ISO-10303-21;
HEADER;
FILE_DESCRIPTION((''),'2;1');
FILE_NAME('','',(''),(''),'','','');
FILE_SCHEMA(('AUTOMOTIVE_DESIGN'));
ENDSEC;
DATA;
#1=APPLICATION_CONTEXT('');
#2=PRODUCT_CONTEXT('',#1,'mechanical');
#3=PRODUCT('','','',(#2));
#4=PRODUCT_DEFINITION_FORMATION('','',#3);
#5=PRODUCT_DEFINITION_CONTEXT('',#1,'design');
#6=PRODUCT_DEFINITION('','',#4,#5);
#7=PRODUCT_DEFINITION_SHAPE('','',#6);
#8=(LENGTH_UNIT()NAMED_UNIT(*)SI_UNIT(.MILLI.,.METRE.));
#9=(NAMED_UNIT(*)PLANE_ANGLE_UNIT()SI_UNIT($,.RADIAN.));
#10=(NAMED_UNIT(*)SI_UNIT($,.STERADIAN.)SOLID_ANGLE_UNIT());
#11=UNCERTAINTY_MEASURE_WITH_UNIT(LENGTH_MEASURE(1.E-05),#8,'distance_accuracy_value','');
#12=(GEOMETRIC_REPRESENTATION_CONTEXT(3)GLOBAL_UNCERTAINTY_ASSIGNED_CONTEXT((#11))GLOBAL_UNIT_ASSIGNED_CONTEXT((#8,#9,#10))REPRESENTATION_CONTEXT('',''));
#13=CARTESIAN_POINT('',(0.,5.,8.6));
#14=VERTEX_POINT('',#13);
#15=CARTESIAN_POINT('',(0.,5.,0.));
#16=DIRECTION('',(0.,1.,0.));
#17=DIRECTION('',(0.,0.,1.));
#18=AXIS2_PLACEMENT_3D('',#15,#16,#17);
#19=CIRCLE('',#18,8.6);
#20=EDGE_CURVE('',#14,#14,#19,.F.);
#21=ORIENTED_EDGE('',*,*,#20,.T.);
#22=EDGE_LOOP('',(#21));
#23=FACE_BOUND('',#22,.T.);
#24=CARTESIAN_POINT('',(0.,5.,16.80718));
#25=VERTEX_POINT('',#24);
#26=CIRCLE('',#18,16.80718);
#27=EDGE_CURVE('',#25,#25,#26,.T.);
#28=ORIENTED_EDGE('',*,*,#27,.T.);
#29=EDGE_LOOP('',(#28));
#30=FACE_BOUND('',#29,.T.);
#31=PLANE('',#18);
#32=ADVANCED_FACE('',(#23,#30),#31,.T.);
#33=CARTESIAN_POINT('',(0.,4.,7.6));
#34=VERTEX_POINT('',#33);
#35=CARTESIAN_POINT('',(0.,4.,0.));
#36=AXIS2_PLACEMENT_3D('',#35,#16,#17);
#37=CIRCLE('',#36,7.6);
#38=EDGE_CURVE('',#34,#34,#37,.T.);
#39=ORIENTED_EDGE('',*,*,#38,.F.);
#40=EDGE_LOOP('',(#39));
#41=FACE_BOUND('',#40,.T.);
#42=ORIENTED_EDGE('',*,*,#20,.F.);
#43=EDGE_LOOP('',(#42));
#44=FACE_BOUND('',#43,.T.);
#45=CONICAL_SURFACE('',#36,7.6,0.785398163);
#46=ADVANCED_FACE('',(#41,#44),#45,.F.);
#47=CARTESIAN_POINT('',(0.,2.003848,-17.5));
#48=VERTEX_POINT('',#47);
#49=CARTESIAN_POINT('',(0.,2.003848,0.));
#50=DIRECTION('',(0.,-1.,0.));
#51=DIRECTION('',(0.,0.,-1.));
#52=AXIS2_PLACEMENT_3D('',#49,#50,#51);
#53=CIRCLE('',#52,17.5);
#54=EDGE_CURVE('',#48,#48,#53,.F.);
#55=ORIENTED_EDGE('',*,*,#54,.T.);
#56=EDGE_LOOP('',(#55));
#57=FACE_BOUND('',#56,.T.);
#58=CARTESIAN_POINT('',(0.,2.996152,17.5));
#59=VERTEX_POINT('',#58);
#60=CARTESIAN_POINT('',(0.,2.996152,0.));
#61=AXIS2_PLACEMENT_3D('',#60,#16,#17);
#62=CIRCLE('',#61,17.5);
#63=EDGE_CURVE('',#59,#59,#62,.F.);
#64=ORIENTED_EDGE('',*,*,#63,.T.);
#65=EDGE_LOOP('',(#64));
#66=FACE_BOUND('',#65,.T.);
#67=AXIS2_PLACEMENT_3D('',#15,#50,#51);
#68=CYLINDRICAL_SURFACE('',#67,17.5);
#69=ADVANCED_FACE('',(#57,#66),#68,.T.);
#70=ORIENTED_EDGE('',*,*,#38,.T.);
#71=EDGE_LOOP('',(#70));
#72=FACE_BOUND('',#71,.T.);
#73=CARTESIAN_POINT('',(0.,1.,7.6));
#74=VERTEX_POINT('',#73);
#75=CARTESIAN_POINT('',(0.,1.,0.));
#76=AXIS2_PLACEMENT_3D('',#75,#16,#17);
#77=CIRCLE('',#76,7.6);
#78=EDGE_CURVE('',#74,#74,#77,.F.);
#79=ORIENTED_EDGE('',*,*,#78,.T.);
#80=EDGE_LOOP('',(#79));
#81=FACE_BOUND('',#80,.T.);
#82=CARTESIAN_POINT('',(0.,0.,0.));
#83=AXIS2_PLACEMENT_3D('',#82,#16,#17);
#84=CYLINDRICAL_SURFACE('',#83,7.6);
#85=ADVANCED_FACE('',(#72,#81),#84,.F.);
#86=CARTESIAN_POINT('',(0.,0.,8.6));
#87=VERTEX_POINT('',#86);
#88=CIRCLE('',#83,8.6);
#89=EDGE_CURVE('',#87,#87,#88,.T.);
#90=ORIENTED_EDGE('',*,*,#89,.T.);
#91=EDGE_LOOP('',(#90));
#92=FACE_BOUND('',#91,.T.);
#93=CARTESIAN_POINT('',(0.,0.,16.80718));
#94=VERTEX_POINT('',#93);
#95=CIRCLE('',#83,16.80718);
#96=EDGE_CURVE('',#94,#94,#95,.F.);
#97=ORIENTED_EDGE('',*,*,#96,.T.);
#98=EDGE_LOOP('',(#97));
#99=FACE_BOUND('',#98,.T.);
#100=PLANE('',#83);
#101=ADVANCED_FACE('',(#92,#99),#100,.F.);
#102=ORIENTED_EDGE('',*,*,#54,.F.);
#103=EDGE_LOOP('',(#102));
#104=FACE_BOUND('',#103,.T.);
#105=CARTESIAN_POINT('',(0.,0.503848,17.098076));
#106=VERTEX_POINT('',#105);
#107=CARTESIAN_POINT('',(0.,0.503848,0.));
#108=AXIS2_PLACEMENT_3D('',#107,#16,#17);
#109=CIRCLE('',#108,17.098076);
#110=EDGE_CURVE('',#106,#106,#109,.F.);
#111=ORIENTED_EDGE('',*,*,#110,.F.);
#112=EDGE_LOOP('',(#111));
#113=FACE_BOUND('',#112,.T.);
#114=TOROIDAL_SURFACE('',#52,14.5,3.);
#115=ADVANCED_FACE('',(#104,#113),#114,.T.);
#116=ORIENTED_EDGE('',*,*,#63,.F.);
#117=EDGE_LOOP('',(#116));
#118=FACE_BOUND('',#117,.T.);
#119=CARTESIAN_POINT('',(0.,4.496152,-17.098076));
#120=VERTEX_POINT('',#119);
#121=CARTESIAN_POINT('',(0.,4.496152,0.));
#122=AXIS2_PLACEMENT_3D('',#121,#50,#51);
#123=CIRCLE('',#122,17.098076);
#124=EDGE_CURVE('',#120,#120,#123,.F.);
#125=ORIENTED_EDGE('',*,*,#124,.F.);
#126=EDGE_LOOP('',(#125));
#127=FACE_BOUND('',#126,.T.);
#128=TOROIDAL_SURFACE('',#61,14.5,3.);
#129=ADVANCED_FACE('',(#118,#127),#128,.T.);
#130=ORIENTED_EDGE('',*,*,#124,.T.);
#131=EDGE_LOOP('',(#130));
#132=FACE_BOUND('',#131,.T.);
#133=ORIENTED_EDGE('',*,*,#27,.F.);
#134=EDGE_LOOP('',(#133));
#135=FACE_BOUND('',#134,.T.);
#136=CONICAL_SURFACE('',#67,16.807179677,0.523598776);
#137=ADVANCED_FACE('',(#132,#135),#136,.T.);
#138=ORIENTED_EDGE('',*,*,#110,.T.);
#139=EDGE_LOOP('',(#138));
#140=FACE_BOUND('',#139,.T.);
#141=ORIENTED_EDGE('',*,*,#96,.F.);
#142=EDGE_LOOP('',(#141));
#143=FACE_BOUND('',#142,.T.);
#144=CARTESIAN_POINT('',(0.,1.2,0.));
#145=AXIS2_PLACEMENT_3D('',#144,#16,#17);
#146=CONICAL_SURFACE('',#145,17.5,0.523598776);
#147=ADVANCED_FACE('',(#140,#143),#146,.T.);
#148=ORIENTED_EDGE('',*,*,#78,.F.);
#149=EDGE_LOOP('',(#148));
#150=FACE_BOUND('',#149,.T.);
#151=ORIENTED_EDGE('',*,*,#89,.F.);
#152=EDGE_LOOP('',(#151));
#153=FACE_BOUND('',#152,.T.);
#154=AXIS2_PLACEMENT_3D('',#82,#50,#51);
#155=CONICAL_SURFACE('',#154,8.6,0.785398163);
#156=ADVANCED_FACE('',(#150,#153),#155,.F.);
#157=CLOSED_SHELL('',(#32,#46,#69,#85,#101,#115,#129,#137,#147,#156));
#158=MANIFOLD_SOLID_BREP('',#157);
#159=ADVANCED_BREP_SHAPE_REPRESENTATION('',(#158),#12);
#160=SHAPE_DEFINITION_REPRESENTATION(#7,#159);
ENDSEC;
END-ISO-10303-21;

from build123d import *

# Parameters (mm, degrees)
SKETCH_1_R               = 17.5
EXTRUDE_1_DEPTH          = 5
CUT_EXTRUDE_1_DEPTH      = 26.248762346
CUT_EXTRUDE_1_DEPTH_BACK = 26.248762346
SKETCH_2_R               = 7.6
CHAMFER_1_SIZE           = 1.2
CHAMFER_1_SIZE2          = 0.692820323
FILLET_1_R               = 3
CHAMFER_2_SIZE           = 1


with BuildPart() as part:
    # 스케치1 → 보스-돌출1 (new body)
    with BuildSketch(Plane(origin=(0, 0, 0), x_dir=(1, 0, 0), z_dir=(0, 1, 0))):
        with Locations(Location((0, 0, 0), (0, 0, 270))):
            Circle(SKETCH_1_R)
    extrude(amount=EXTRUDE_1_DEPTH)

    # 스케치2 → 컷-돌출1 (cut, two sides: drawn at the far end of the back side and taken through both)
    with BuildSketch(Plane(origin=(0, 5, 0), x_dir=(1, 0, 0), z_dir=(0, 1, 0)).offset(-CUT_EXTRUDE_1_DEPTH_BACK)):
        with Locations(Location((0, 0, 0), (0, 0, 270))):
            Circle(SKETCH_2_R)
    extrude(amount=CUT_EXTRUDE_1_DEPTH + CUT_EXTRUDE_1_DEPTH_BACK, mode=Mode.SUBTRACT)

    # 모따기1
    chamfer_1_edges = [part.edges().sort_by_distance(p)[0] for p in [
        (0, 0, -17.5),
        (0, 5, -17.5),
    ]]
    chamfer_1_side = [part.faces().sort_by_distance(p)[0] for p in [
        (0, 2.5, -17.5),
    ]]
    chamfer(chamfer_1_edges, length=CHAMFER_1_SIZE, length2=CHAMFER_1_SIZE2, reference=chamfer_1_side[0])

    # 필렛1
    fillet_1_edges = [part.edges().sort_by_distance(p)[0] for p in [
        (0, 1.2, -17.5),
        (0, 3.8, -17.5),
    ]]
    fillet(fillet_1_edges, radius=FILLET_1_R)

    # 모따기2
    chamfer_2_edges = [part.edges().sort_by_distance(p)[0] for p in [
        (0, 5, -7.6),
        (0, 0, -7.6),
    ]]
    chamfer(chamfer_2_edges, length=CHAMFER_2_SIZE)


solid = part.part
